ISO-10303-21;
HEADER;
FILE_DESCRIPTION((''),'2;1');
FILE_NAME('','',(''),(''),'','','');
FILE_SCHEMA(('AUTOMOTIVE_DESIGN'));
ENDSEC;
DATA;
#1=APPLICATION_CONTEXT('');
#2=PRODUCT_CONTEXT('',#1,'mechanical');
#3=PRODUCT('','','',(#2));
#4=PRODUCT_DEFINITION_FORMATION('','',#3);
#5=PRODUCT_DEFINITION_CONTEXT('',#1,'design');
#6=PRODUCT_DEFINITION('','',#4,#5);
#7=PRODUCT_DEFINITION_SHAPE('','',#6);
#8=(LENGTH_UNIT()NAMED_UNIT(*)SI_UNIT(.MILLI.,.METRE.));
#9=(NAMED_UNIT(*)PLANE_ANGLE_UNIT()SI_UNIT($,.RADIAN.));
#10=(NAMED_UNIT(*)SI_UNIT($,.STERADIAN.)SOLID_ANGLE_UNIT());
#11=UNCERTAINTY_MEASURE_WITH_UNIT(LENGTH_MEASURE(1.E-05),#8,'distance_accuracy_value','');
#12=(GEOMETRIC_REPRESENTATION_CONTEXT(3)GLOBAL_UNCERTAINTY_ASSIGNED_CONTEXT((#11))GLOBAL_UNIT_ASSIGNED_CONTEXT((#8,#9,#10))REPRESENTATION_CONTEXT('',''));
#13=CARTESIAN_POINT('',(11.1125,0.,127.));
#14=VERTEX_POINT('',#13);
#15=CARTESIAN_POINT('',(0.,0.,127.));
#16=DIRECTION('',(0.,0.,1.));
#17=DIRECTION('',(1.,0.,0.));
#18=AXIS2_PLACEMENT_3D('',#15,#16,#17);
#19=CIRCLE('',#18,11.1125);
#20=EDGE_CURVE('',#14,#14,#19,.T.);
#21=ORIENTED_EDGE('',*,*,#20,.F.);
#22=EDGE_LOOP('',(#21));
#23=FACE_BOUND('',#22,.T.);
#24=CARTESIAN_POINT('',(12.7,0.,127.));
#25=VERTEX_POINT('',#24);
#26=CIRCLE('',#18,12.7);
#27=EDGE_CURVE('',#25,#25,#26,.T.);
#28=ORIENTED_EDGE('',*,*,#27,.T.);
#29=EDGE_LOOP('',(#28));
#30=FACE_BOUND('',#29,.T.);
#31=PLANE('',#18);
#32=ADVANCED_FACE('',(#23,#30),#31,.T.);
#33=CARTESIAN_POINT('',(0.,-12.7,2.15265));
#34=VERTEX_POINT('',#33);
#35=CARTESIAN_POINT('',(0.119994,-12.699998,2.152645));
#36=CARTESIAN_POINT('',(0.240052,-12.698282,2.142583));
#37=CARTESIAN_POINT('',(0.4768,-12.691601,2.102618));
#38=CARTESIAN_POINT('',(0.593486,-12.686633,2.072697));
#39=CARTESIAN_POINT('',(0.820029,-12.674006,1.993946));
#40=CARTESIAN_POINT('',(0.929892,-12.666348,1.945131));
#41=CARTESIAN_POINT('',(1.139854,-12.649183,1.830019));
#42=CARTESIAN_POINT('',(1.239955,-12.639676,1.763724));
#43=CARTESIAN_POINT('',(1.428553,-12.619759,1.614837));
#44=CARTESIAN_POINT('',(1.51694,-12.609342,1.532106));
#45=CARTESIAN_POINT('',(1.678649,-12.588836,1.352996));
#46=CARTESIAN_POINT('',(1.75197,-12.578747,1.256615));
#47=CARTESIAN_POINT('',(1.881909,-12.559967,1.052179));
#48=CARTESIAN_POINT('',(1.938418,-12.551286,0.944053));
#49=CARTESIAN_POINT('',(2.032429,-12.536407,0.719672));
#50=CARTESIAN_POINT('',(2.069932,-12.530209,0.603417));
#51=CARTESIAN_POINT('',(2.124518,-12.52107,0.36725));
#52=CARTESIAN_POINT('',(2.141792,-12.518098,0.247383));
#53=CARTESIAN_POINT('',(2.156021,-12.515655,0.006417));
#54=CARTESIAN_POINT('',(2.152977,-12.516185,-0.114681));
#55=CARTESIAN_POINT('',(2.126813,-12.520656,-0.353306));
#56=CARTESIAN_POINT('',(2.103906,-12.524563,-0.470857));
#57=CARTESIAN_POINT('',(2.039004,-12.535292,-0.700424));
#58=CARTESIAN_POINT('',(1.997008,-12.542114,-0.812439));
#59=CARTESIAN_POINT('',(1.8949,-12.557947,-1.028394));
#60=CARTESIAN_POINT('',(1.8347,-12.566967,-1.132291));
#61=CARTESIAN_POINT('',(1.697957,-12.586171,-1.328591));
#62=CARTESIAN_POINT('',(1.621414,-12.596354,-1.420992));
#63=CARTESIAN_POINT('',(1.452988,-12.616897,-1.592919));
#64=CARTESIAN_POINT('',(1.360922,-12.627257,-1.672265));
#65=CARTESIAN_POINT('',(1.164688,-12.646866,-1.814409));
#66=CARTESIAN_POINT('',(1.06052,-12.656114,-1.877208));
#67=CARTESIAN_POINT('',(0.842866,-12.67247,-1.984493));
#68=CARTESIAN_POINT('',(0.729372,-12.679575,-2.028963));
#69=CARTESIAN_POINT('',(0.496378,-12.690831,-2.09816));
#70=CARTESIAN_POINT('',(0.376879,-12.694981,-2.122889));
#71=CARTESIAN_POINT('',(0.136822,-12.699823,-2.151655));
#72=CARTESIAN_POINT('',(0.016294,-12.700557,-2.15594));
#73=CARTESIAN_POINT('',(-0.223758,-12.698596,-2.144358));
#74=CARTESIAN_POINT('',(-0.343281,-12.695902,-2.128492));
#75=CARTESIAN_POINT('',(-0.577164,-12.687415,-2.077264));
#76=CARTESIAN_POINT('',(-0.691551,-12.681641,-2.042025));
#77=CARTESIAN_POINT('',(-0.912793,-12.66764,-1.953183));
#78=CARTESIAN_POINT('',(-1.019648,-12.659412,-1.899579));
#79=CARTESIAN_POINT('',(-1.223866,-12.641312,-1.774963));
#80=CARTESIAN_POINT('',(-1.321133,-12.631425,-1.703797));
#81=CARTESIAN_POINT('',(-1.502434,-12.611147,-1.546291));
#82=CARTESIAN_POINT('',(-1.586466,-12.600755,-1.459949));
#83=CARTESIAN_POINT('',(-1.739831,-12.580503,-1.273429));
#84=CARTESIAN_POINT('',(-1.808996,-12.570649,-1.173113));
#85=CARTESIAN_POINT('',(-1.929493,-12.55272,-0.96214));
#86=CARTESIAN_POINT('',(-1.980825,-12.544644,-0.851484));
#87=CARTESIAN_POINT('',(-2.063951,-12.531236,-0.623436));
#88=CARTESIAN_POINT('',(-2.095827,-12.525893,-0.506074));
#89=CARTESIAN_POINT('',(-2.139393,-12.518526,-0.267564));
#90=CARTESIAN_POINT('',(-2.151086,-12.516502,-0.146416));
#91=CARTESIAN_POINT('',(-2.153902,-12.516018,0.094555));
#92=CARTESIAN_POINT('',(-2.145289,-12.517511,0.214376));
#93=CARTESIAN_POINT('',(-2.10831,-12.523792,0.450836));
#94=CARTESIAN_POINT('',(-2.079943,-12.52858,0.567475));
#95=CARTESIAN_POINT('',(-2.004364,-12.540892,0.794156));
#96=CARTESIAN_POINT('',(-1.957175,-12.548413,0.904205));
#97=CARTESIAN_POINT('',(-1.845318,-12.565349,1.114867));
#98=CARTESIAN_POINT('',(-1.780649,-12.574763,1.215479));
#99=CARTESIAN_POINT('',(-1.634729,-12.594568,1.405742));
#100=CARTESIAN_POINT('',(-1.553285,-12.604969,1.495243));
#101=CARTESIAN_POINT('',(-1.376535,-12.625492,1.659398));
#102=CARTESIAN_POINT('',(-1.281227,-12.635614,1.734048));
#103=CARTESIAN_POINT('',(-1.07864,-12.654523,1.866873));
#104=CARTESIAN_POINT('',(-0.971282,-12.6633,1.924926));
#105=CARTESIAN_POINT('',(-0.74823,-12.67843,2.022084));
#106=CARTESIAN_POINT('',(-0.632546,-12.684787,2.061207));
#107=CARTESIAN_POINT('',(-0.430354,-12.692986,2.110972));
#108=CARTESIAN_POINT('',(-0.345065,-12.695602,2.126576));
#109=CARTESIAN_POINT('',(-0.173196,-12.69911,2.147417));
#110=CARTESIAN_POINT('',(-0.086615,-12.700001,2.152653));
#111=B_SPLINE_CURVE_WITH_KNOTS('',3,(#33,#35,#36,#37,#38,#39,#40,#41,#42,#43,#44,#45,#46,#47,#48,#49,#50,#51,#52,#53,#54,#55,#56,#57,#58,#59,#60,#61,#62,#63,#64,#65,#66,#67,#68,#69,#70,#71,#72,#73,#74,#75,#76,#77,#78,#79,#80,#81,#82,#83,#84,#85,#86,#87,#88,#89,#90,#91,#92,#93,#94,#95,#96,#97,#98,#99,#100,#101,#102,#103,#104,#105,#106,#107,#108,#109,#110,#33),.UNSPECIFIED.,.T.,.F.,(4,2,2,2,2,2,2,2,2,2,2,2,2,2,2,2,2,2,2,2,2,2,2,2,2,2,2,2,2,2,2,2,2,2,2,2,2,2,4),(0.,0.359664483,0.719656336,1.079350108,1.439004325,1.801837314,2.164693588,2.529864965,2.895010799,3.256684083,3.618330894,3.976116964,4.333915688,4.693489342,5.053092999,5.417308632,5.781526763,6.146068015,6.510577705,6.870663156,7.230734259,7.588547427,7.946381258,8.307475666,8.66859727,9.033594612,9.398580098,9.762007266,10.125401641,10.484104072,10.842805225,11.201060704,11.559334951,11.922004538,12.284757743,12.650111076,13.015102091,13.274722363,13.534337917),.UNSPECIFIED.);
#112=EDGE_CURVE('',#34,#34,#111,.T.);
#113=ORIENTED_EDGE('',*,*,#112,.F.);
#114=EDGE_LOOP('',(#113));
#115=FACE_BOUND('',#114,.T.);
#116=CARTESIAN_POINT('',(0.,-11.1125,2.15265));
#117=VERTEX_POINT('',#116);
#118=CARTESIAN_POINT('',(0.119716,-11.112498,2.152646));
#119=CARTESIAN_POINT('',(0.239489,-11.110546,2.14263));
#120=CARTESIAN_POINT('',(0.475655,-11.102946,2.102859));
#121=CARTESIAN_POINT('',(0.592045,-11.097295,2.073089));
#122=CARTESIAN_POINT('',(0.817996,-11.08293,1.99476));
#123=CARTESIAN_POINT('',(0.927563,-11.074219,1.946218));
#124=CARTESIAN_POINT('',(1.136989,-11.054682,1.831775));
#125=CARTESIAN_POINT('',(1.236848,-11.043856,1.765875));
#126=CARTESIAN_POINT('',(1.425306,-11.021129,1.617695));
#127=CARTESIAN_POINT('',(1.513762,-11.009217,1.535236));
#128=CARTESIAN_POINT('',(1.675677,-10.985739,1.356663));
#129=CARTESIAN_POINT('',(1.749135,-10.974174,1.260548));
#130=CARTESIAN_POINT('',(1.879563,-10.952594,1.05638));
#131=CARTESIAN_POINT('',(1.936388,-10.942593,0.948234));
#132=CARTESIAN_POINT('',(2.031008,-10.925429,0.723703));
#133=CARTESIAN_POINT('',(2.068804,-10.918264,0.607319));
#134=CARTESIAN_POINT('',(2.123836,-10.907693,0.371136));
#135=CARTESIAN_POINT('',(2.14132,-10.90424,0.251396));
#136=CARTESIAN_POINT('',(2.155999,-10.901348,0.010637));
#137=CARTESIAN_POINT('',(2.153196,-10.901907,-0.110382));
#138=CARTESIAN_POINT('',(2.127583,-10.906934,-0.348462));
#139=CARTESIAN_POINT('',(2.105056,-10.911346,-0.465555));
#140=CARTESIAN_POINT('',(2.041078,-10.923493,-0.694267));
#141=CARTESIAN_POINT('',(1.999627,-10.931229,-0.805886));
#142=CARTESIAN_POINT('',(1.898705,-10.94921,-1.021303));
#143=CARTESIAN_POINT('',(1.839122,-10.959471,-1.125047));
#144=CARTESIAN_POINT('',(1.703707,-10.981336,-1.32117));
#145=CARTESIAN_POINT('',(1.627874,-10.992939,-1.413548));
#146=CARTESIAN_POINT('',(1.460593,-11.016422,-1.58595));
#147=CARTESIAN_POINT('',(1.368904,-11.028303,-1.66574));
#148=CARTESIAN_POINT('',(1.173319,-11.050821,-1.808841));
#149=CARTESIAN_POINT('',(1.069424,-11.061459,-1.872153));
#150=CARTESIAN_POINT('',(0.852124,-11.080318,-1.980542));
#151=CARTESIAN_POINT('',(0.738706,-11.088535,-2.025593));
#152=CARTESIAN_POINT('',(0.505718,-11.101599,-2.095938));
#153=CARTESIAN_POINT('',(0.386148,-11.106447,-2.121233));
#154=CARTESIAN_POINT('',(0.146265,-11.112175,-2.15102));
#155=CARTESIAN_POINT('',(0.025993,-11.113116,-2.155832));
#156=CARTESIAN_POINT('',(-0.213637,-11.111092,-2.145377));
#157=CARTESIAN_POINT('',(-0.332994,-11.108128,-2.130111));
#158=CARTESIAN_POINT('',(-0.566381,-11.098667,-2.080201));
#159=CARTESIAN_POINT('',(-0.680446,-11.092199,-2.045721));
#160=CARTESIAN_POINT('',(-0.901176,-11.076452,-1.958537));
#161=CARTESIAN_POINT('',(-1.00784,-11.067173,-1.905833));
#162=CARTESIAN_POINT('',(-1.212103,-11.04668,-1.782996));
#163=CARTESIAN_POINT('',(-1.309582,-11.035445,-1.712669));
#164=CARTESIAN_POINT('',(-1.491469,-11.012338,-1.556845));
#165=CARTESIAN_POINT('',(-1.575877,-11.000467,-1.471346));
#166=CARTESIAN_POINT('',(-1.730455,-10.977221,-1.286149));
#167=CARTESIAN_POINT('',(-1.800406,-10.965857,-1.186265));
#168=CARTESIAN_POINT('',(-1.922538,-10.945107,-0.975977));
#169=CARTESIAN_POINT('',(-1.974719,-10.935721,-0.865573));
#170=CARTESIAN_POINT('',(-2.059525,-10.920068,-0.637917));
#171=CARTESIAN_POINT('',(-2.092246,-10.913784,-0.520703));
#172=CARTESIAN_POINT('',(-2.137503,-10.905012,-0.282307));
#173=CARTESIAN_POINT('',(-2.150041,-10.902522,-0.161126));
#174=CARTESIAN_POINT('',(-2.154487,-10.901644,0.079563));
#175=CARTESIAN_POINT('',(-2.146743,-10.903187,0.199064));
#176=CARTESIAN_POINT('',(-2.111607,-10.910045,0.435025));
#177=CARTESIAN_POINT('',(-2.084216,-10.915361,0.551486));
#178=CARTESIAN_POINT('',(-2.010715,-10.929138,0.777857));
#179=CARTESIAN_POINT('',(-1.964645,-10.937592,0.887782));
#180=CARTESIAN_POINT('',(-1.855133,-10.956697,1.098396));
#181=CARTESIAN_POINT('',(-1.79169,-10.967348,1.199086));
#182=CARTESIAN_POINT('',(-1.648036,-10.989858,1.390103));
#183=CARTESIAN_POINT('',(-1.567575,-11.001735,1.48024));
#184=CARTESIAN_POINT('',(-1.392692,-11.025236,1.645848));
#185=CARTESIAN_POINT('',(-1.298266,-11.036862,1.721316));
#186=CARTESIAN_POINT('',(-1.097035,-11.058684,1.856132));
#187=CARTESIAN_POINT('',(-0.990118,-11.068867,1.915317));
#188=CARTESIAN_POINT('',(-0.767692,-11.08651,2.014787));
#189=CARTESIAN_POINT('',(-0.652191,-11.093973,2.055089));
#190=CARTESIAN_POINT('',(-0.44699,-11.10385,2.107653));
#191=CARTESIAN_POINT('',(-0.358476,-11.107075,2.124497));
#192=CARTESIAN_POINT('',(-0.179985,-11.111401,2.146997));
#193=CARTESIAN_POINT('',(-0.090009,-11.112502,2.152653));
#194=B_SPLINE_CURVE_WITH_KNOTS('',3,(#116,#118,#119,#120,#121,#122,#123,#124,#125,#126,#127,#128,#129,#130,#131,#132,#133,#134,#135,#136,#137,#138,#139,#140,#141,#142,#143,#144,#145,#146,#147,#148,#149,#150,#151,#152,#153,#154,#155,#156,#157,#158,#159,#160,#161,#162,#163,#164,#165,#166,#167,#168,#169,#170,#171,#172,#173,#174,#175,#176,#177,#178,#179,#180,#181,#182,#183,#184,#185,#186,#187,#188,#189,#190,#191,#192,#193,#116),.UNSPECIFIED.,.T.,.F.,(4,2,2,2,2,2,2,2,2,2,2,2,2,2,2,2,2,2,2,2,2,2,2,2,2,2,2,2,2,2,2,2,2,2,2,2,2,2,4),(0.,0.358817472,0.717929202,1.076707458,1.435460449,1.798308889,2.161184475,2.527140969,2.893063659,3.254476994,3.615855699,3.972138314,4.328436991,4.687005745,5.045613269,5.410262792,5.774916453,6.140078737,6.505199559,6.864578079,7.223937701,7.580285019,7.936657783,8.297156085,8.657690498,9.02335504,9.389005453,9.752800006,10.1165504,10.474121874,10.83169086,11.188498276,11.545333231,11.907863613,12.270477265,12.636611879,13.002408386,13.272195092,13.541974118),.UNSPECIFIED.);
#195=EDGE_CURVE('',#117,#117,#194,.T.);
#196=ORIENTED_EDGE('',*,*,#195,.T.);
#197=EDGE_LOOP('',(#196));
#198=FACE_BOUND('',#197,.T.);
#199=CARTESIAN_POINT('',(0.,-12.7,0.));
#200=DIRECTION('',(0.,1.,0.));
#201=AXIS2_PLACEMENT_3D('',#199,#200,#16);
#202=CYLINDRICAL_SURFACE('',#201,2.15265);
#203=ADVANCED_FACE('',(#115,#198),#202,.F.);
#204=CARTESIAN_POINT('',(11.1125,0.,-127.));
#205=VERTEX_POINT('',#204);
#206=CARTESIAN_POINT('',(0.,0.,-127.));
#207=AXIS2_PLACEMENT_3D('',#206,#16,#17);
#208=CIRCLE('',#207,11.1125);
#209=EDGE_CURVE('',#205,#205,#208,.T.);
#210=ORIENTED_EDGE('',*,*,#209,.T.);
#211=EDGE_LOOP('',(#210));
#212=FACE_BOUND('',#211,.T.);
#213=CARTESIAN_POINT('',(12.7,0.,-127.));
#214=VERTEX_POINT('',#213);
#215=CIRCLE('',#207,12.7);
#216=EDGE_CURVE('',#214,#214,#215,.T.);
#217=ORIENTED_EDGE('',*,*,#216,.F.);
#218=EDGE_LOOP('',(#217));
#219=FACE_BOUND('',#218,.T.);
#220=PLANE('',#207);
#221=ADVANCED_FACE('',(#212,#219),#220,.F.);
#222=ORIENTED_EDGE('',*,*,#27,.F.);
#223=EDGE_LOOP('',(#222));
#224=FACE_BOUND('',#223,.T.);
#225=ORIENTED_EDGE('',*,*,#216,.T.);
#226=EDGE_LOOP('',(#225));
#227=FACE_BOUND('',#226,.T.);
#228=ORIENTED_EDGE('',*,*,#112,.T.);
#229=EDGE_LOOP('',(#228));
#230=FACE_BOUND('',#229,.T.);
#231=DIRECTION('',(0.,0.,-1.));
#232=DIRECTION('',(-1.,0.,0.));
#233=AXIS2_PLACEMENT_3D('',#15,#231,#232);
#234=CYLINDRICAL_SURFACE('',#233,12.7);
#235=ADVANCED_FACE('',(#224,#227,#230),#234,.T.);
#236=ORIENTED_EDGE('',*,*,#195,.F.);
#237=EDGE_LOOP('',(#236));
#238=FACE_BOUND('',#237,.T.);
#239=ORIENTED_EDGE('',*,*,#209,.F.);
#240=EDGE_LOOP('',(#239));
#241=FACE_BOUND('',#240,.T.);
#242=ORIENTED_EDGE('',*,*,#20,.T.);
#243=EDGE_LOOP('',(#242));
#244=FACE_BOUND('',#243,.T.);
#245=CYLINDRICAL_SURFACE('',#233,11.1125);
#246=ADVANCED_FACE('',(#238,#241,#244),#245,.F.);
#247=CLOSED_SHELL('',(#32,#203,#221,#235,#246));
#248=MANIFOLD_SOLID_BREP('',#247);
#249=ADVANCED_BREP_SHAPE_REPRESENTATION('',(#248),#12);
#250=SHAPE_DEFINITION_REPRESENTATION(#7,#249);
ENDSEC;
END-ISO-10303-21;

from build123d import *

# Parameters (mm, degrees)
SKETCH2_R           = 12.7
SKETCH2_R_2         = 11.1125
BOSS_EXTRUDE1_DEPTH = 127
SKETCH3_R           = 2.15265
CUT_EXTRUDE1_DEPTH  = 129.263712717


with BuildPart() as part:
    # Sketch2 → Boss-Extrude1 (new, symmetric)
    with BuildSketch(Plane.XY):
        Circle(SKETCH2_R)
        Circle(SKETCH2_R_2, mode=Mode.SUBTRACT)
    extrude(amount=BOSS_EXTRUDE1_DEPTH, both=True)

    # Sketch3 → Cut-Extrude1 (cut, through all)
    with BuildSketch(Plane(origin=(0, 0, 0), x_dir=(1, 0, 0), z_dir=(0, 1, 0))):
        with Locations(Location((0, 0, 0), (0, 0, 270))):
            Circle(SKETCH3_R)
    extrude(amount=-CUT_EXTRUDE1_DEPTH, mode=Mode.SUBTRACT)


solid = part.part
